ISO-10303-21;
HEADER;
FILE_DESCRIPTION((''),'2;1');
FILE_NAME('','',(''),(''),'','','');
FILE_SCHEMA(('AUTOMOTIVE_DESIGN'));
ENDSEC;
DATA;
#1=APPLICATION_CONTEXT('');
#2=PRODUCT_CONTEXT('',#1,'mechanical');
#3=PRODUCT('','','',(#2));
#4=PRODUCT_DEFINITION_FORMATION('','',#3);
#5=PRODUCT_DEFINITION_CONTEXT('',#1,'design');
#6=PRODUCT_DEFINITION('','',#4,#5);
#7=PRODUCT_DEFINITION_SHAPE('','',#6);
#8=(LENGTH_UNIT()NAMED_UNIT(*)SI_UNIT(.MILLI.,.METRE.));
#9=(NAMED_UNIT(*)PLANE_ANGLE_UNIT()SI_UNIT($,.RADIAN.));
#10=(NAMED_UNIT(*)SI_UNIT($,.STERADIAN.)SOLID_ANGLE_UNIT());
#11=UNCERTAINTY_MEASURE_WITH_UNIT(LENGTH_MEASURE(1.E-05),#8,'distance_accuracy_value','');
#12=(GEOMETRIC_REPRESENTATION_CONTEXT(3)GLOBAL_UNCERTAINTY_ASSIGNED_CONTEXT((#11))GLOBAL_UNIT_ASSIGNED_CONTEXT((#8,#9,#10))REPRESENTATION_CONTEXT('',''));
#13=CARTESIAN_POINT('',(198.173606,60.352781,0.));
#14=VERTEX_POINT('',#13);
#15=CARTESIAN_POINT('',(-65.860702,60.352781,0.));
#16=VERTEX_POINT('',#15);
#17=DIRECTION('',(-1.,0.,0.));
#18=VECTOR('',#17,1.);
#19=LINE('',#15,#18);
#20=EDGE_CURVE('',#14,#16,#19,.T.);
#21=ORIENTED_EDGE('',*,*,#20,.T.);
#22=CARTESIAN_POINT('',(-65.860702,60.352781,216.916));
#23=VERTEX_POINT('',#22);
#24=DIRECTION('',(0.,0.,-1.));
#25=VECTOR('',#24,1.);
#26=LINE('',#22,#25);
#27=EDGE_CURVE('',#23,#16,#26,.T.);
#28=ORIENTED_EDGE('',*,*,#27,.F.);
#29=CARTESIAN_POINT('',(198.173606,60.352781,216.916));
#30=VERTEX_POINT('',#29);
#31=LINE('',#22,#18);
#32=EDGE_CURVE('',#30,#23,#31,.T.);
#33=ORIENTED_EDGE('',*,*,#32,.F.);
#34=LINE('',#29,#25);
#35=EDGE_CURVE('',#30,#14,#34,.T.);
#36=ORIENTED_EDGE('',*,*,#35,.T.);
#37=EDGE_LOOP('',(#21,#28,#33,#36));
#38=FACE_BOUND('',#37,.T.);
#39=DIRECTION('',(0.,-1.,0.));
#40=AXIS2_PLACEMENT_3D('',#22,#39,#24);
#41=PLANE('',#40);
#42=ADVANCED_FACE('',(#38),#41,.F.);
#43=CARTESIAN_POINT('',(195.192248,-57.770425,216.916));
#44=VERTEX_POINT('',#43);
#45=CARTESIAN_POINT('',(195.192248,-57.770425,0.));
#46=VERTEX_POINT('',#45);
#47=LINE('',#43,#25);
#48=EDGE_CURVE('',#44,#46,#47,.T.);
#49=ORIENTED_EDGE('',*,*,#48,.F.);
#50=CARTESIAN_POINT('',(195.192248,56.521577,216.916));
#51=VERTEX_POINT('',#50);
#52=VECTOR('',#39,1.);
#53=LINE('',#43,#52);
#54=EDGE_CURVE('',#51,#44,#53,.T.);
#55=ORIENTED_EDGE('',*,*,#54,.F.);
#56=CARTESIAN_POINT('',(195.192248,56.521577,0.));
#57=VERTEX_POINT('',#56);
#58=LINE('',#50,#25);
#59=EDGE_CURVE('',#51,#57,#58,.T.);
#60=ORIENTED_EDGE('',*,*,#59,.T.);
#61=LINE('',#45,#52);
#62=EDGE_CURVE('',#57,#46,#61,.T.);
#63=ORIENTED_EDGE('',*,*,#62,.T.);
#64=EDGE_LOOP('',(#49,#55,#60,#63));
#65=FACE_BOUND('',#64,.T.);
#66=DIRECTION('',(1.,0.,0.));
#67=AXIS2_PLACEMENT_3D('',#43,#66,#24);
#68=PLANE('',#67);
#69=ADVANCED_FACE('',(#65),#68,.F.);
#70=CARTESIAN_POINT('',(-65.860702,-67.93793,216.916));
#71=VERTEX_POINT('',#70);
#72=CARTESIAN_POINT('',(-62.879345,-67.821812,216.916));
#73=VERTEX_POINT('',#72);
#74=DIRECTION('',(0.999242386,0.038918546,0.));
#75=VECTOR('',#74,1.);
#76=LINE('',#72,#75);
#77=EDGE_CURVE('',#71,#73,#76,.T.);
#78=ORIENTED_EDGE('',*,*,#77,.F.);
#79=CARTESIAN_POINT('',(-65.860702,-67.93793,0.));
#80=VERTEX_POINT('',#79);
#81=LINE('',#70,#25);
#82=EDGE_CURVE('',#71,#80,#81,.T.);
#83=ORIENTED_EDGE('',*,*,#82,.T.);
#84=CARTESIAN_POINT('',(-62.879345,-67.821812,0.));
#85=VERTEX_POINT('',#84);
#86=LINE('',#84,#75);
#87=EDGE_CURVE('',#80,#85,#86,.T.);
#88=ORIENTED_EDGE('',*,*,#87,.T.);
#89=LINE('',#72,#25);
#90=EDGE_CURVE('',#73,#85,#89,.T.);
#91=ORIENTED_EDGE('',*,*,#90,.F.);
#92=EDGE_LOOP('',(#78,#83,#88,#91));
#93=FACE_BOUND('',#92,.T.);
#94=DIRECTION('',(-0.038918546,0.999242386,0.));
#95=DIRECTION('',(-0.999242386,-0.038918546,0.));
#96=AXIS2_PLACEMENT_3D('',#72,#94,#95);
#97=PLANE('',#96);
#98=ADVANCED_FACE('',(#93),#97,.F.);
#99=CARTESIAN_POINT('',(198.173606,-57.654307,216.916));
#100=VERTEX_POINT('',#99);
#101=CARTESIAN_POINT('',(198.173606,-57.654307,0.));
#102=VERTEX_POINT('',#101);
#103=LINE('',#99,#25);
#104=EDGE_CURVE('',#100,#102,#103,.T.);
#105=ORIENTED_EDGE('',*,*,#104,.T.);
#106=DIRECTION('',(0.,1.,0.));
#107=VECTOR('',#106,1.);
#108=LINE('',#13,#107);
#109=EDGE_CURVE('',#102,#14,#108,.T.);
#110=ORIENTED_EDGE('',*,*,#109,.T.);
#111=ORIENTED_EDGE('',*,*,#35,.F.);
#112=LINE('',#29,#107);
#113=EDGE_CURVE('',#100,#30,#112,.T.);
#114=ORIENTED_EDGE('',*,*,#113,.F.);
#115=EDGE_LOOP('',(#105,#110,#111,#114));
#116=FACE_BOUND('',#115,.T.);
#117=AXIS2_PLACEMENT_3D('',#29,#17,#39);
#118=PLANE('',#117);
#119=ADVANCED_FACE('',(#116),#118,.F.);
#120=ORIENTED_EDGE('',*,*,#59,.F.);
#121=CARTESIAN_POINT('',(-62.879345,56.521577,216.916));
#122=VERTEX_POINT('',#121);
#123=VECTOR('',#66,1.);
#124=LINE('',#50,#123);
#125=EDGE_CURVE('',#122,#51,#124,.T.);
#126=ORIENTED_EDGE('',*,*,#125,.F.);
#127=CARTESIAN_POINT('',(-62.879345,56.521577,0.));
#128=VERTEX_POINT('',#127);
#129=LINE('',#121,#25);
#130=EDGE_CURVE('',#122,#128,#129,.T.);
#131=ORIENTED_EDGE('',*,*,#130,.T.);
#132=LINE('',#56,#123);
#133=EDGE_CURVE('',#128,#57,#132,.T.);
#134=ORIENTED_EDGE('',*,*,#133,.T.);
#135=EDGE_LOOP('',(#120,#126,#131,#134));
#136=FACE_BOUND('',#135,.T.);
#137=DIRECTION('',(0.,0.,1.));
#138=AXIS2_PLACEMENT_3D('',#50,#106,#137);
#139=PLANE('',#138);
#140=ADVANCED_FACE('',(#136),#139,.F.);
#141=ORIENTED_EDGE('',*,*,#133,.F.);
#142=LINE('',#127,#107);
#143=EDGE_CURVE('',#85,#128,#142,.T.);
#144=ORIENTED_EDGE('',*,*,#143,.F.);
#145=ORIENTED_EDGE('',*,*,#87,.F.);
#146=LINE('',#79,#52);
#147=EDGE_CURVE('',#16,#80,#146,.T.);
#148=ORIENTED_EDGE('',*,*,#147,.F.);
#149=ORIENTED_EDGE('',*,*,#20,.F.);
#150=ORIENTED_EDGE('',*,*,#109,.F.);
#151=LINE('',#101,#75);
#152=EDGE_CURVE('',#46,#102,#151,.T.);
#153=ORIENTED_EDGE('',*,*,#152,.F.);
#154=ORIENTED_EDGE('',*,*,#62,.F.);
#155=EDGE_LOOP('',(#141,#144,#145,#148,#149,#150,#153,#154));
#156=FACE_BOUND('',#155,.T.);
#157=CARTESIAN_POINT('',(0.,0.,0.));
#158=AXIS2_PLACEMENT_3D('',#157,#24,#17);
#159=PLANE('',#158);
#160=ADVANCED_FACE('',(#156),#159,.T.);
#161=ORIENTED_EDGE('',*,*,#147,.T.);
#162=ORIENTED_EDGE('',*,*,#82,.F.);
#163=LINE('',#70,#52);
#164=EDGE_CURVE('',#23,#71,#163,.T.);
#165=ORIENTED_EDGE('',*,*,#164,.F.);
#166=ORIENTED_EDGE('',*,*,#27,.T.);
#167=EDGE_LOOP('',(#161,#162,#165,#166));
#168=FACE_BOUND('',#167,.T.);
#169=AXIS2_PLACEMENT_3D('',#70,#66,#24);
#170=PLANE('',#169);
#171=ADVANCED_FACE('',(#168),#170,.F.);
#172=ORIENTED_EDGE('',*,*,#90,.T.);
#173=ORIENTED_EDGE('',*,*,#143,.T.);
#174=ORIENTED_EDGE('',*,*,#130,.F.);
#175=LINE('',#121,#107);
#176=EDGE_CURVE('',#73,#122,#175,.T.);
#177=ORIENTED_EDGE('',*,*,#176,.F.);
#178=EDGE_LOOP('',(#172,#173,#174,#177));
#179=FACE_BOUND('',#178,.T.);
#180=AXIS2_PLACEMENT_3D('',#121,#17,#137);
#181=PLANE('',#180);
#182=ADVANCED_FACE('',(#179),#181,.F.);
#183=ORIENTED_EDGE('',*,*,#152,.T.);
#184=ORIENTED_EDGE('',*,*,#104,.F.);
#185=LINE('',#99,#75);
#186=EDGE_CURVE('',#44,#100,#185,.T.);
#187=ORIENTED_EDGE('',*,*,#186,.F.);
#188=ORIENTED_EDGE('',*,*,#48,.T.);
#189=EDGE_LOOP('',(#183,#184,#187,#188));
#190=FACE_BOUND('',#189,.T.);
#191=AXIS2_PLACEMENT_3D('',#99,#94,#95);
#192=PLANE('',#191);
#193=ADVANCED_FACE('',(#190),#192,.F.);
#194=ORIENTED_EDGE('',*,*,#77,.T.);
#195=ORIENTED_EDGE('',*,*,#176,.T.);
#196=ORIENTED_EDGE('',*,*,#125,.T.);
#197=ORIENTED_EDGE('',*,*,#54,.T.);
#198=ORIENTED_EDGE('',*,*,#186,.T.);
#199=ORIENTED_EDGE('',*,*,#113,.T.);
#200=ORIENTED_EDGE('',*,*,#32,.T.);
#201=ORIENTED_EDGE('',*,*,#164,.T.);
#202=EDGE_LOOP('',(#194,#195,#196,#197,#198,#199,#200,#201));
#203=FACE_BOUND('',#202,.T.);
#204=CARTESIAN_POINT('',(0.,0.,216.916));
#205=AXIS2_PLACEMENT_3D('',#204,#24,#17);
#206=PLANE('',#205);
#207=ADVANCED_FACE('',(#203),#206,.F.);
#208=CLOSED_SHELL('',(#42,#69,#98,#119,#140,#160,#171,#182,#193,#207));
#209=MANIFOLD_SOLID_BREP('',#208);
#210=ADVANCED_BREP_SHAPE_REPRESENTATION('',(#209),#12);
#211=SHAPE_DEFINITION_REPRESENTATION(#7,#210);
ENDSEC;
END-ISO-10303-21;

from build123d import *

# Parameters (mm, degrees)
BOSS_EXTRUDE1_DEPTH = 216.916


with BuildPart() as part:
    # Sketch1 → Boss-Extrude1 (new body)
    with BuildSketch(Plane.XY):
        Polygon((-65.860702475, -67.937929752), (-65.860702475, 60.352780543), (198.173606117, 60.352780543), (198.173606117, -57.654307352), (195.192248234, -57.770425439), (195.192248234, 56.521576525), (-62.879344592, 56.521576525), (-62.879344592, -67.821811665), align=None)
    extrude(amount=BOSS_EXTRUDE1_DEPTH)


solid = part.part
